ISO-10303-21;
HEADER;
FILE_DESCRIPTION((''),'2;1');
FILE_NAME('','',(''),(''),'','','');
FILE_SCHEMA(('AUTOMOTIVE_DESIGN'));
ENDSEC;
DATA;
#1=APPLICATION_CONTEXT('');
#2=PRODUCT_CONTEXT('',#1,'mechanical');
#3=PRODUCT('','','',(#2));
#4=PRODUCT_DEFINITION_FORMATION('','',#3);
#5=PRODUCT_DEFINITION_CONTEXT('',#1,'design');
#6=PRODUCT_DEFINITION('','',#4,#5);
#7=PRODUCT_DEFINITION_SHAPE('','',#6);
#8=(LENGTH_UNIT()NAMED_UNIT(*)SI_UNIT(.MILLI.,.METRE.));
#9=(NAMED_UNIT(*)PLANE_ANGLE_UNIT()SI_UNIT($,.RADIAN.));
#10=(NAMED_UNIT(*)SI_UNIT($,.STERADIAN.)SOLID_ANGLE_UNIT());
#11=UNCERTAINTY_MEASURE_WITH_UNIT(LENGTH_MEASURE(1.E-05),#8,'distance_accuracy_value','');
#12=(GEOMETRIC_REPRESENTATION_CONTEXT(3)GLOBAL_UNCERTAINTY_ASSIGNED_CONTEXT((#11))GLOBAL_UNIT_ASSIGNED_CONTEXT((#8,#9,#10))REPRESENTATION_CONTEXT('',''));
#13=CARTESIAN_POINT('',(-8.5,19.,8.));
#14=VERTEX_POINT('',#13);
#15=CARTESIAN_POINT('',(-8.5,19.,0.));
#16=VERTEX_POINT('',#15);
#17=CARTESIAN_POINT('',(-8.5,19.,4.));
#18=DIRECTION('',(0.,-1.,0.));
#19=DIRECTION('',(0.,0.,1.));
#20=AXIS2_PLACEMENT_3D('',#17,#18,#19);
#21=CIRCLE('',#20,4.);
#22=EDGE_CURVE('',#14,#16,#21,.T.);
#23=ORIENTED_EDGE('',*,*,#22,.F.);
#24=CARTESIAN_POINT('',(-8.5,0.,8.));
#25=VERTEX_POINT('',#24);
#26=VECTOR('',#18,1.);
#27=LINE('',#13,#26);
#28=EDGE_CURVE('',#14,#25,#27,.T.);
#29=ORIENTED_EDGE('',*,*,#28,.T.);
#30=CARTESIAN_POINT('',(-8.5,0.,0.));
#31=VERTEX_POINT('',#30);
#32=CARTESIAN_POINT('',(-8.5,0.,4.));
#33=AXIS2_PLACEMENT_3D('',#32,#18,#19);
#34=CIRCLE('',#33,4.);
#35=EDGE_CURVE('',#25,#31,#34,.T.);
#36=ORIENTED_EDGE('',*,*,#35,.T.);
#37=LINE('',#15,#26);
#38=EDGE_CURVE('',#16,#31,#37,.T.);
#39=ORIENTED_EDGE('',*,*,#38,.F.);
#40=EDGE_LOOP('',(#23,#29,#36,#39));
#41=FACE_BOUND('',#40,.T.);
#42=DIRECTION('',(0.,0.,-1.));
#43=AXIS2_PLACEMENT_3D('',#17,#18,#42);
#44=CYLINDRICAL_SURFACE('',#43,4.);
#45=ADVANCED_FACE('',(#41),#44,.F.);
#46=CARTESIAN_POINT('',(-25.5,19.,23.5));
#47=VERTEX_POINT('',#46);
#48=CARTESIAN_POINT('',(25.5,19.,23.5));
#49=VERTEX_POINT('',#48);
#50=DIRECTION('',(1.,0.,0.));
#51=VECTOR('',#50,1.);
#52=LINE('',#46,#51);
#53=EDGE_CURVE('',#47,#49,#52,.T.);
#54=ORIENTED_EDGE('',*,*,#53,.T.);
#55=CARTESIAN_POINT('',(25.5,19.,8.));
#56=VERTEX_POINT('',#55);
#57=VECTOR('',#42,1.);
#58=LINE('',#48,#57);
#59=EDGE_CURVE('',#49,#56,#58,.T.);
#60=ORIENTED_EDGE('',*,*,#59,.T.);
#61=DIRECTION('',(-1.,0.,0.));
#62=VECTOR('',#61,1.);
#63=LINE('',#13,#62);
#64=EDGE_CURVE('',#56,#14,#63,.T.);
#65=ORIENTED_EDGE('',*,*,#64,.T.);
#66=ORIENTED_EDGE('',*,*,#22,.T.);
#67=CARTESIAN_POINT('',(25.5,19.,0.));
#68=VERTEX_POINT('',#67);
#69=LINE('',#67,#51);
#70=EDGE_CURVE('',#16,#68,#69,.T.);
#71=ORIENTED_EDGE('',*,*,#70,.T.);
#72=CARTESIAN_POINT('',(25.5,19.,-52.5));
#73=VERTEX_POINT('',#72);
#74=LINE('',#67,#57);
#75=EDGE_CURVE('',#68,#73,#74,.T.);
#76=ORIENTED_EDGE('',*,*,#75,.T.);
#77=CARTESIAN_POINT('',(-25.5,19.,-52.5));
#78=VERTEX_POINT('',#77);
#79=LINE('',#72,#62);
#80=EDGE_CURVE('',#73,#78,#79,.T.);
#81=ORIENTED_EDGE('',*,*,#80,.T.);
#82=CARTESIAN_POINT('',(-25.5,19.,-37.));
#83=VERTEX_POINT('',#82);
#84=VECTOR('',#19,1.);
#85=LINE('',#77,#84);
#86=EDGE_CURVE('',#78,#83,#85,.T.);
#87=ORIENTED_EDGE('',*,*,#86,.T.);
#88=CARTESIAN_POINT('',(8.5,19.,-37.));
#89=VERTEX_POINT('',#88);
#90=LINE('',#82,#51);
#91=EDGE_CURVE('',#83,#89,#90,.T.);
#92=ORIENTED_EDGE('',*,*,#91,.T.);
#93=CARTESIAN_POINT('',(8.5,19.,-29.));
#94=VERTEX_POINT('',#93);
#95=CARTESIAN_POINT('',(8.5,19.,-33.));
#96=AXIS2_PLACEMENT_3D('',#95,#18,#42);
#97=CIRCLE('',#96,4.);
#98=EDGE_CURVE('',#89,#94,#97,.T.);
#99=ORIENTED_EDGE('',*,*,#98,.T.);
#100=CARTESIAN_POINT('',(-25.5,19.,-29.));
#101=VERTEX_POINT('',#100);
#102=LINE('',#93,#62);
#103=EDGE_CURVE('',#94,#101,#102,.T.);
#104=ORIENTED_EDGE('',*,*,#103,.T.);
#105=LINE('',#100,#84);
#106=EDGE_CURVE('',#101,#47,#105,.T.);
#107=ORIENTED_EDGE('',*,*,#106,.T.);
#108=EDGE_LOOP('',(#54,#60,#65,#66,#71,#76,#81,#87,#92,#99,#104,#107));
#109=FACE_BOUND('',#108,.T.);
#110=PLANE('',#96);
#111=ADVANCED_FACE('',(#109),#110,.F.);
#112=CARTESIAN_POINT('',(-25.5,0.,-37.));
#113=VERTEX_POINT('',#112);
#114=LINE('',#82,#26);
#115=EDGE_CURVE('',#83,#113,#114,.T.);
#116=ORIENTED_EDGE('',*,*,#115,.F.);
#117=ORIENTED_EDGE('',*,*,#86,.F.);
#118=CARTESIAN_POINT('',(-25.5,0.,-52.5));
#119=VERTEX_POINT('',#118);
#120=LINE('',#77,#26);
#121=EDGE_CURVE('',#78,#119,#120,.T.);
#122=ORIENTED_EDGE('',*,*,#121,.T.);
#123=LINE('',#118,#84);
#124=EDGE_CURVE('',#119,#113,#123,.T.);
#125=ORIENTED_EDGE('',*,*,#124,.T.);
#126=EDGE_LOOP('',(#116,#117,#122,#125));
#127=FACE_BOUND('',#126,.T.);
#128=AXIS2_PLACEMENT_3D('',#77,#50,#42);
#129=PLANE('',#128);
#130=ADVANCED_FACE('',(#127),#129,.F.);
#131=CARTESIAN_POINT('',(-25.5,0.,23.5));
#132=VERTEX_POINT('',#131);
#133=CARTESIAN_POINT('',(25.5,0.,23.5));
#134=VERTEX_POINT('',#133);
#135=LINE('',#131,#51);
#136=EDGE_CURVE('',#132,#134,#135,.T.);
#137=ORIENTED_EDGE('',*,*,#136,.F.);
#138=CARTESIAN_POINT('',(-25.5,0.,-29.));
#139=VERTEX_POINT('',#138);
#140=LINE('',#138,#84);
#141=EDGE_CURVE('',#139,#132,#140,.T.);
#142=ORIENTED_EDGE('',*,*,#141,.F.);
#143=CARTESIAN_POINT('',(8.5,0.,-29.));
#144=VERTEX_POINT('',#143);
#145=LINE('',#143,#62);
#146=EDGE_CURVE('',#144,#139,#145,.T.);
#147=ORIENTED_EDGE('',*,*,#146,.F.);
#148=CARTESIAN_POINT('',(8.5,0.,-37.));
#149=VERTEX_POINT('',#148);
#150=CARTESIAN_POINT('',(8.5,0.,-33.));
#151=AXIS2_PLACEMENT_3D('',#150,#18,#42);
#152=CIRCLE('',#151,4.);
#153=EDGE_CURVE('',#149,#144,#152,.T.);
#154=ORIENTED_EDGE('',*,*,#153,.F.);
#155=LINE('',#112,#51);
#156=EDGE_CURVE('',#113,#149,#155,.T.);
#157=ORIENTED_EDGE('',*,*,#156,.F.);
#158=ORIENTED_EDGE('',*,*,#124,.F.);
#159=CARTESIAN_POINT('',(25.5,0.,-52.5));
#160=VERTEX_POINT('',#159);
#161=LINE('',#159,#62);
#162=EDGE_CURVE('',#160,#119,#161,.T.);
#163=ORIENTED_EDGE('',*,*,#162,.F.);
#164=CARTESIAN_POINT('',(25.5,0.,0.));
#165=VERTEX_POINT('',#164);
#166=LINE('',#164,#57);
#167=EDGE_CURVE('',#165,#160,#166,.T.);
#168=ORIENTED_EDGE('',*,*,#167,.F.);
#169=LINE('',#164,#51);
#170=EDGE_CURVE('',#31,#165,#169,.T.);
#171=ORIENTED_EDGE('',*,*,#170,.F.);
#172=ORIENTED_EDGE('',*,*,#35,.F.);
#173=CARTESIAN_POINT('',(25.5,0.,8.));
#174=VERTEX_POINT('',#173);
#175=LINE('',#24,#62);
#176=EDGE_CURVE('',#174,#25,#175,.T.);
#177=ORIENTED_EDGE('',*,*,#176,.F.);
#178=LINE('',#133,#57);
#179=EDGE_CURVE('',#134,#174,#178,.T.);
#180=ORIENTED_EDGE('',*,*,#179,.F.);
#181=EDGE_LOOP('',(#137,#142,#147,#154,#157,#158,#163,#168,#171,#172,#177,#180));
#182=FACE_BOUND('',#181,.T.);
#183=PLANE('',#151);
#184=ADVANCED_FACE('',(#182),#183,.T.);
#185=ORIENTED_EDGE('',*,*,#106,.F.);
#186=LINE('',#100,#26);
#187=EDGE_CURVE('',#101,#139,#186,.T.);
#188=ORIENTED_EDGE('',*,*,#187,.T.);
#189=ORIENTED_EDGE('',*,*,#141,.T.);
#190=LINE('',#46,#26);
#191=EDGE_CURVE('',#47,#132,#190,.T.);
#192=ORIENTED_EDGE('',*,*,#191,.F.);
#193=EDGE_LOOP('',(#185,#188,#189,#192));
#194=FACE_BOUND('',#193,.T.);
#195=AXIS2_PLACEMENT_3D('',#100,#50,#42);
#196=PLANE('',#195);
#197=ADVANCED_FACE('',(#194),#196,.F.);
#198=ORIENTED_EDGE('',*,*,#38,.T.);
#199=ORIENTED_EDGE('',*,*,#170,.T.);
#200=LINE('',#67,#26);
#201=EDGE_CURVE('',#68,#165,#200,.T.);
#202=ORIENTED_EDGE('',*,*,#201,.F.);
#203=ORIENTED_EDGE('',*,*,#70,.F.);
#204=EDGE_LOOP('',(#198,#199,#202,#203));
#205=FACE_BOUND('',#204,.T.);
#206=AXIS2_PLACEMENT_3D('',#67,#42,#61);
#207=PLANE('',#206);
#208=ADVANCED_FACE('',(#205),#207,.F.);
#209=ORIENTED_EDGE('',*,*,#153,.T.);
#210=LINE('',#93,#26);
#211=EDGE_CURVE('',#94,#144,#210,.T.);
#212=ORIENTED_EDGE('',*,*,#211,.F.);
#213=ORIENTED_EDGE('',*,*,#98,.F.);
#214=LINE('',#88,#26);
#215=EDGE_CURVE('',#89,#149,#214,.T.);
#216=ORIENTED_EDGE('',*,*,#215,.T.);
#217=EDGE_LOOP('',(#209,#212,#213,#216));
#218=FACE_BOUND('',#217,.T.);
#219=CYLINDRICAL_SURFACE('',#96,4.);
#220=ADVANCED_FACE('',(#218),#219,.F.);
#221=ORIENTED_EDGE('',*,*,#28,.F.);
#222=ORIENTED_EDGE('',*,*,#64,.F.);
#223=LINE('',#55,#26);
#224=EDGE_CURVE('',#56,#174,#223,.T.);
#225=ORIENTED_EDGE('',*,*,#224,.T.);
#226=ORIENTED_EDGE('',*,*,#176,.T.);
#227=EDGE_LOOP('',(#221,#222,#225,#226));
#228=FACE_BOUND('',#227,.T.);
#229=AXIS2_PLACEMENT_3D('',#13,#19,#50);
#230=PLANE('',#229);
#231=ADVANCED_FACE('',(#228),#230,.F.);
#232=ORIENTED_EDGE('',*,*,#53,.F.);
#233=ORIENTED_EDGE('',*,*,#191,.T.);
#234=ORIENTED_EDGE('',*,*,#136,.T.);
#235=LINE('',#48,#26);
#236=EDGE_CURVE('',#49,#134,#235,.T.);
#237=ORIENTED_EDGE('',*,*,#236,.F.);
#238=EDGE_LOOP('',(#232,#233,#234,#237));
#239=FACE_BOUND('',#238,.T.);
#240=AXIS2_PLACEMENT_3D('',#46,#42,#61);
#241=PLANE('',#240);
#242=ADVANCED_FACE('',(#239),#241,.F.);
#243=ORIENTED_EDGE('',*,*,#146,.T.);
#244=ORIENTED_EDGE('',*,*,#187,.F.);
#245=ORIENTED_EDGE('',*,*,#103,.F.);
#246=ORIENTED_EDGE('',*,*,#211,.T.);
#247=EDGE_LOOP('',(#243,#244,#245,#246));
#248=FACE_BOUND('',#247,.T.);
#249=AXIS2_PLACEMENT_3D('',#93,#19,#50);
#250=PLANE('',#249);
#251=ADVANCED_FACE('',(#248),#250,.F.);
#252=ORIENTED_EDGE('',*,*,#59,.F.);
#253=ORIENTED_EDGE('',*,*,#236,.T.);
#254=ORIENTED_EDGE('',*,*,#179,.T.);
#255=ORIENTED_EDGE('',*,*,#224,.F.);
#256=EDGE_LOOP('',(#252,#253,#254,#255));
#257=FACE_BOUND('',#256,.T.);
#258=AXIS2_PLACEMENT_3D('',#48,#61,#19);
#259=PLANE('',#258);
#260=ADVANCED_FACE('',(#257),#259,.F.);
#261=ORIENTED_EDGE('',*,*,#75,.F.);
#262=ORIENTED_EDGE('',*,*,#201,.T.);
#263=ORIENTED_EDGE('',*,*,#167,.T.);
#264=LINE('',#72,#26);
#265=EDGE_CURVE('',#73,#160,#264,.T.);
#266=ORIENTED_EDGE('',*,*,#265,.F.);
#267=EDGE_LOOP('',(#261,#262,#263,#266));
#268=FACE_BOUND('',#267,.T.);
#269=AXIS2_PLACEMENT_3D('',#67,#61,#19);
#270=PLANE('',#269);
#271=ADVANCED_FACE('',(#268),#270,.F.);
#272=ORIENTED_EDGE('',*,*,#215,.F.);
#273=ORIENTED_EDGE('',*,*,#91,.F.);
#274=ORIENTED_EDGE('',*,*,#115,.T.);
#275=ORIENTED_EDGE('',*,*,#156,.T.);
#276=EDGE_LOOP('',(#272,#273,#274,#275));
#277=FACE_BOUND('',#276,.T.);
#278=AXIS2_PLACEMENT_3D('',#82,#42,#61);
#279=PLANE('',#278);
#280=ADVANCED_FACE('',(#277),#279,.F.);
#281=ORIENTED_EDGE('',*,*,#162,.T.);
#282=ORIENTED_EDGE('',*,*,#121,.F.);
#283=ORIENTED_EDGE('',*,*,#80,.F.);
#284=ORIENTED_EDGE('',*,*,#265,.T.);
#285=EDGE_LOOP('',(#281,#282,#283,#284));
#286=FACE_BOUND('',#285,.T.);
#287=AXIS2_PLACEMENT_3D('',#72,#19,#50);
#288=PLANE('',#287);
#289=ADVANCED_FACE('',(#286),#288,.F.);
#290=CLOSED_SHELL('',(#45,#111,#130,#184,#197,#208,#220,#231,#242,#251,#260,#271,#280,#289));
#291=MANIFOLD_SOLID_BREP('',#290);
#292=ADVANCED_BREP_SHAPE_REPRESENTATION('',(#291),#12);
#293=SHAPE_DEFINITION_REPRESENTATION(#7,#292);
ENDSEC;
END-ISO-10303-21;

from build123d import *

# Parameters (mm, degrees)
BOSS_EXTRUDE1_DEPTH = 19


with BuildPart() as part:
    # Sketch2 → Boss-Extrude1 (new body)
    with BuildSketch(Plane(origin=(0, 0, 0), x_dir=(1, 0, 0), z_dir=(0, 1, 0))):
        with BuildLine():
            Line((25.5, 0), (-8.5, 0))
            ThreePointArc((-8.5, 0), (-12.5, -4), (-8.5, -8))
            Line((-8.5, -8), (25.5, -8))
            Line((25.5, -8), (25.5, -23.5))
            Line((25.5, -23.5), (-25.5, -23.5))
            Line((-25.5, -23.5), (-25.5, 29))
            Line((-25.5, 29), (8.5, 29))
            ThreePointArc((8.5, 29), (12.5, 33), (8.5, 37))
            Line((8.5, 37), (-25.5, 37))
            Line((-25.5, 37), (-25.5, 52.5))
            Line((-25.5, 52.5), (25.5, 52.5))
            Line((25.5, 52.5), (25.5, 0))
        make_face()
    extrude(amount=BOSS_EXTRUDE1_DEPTH)


solid = part.part
